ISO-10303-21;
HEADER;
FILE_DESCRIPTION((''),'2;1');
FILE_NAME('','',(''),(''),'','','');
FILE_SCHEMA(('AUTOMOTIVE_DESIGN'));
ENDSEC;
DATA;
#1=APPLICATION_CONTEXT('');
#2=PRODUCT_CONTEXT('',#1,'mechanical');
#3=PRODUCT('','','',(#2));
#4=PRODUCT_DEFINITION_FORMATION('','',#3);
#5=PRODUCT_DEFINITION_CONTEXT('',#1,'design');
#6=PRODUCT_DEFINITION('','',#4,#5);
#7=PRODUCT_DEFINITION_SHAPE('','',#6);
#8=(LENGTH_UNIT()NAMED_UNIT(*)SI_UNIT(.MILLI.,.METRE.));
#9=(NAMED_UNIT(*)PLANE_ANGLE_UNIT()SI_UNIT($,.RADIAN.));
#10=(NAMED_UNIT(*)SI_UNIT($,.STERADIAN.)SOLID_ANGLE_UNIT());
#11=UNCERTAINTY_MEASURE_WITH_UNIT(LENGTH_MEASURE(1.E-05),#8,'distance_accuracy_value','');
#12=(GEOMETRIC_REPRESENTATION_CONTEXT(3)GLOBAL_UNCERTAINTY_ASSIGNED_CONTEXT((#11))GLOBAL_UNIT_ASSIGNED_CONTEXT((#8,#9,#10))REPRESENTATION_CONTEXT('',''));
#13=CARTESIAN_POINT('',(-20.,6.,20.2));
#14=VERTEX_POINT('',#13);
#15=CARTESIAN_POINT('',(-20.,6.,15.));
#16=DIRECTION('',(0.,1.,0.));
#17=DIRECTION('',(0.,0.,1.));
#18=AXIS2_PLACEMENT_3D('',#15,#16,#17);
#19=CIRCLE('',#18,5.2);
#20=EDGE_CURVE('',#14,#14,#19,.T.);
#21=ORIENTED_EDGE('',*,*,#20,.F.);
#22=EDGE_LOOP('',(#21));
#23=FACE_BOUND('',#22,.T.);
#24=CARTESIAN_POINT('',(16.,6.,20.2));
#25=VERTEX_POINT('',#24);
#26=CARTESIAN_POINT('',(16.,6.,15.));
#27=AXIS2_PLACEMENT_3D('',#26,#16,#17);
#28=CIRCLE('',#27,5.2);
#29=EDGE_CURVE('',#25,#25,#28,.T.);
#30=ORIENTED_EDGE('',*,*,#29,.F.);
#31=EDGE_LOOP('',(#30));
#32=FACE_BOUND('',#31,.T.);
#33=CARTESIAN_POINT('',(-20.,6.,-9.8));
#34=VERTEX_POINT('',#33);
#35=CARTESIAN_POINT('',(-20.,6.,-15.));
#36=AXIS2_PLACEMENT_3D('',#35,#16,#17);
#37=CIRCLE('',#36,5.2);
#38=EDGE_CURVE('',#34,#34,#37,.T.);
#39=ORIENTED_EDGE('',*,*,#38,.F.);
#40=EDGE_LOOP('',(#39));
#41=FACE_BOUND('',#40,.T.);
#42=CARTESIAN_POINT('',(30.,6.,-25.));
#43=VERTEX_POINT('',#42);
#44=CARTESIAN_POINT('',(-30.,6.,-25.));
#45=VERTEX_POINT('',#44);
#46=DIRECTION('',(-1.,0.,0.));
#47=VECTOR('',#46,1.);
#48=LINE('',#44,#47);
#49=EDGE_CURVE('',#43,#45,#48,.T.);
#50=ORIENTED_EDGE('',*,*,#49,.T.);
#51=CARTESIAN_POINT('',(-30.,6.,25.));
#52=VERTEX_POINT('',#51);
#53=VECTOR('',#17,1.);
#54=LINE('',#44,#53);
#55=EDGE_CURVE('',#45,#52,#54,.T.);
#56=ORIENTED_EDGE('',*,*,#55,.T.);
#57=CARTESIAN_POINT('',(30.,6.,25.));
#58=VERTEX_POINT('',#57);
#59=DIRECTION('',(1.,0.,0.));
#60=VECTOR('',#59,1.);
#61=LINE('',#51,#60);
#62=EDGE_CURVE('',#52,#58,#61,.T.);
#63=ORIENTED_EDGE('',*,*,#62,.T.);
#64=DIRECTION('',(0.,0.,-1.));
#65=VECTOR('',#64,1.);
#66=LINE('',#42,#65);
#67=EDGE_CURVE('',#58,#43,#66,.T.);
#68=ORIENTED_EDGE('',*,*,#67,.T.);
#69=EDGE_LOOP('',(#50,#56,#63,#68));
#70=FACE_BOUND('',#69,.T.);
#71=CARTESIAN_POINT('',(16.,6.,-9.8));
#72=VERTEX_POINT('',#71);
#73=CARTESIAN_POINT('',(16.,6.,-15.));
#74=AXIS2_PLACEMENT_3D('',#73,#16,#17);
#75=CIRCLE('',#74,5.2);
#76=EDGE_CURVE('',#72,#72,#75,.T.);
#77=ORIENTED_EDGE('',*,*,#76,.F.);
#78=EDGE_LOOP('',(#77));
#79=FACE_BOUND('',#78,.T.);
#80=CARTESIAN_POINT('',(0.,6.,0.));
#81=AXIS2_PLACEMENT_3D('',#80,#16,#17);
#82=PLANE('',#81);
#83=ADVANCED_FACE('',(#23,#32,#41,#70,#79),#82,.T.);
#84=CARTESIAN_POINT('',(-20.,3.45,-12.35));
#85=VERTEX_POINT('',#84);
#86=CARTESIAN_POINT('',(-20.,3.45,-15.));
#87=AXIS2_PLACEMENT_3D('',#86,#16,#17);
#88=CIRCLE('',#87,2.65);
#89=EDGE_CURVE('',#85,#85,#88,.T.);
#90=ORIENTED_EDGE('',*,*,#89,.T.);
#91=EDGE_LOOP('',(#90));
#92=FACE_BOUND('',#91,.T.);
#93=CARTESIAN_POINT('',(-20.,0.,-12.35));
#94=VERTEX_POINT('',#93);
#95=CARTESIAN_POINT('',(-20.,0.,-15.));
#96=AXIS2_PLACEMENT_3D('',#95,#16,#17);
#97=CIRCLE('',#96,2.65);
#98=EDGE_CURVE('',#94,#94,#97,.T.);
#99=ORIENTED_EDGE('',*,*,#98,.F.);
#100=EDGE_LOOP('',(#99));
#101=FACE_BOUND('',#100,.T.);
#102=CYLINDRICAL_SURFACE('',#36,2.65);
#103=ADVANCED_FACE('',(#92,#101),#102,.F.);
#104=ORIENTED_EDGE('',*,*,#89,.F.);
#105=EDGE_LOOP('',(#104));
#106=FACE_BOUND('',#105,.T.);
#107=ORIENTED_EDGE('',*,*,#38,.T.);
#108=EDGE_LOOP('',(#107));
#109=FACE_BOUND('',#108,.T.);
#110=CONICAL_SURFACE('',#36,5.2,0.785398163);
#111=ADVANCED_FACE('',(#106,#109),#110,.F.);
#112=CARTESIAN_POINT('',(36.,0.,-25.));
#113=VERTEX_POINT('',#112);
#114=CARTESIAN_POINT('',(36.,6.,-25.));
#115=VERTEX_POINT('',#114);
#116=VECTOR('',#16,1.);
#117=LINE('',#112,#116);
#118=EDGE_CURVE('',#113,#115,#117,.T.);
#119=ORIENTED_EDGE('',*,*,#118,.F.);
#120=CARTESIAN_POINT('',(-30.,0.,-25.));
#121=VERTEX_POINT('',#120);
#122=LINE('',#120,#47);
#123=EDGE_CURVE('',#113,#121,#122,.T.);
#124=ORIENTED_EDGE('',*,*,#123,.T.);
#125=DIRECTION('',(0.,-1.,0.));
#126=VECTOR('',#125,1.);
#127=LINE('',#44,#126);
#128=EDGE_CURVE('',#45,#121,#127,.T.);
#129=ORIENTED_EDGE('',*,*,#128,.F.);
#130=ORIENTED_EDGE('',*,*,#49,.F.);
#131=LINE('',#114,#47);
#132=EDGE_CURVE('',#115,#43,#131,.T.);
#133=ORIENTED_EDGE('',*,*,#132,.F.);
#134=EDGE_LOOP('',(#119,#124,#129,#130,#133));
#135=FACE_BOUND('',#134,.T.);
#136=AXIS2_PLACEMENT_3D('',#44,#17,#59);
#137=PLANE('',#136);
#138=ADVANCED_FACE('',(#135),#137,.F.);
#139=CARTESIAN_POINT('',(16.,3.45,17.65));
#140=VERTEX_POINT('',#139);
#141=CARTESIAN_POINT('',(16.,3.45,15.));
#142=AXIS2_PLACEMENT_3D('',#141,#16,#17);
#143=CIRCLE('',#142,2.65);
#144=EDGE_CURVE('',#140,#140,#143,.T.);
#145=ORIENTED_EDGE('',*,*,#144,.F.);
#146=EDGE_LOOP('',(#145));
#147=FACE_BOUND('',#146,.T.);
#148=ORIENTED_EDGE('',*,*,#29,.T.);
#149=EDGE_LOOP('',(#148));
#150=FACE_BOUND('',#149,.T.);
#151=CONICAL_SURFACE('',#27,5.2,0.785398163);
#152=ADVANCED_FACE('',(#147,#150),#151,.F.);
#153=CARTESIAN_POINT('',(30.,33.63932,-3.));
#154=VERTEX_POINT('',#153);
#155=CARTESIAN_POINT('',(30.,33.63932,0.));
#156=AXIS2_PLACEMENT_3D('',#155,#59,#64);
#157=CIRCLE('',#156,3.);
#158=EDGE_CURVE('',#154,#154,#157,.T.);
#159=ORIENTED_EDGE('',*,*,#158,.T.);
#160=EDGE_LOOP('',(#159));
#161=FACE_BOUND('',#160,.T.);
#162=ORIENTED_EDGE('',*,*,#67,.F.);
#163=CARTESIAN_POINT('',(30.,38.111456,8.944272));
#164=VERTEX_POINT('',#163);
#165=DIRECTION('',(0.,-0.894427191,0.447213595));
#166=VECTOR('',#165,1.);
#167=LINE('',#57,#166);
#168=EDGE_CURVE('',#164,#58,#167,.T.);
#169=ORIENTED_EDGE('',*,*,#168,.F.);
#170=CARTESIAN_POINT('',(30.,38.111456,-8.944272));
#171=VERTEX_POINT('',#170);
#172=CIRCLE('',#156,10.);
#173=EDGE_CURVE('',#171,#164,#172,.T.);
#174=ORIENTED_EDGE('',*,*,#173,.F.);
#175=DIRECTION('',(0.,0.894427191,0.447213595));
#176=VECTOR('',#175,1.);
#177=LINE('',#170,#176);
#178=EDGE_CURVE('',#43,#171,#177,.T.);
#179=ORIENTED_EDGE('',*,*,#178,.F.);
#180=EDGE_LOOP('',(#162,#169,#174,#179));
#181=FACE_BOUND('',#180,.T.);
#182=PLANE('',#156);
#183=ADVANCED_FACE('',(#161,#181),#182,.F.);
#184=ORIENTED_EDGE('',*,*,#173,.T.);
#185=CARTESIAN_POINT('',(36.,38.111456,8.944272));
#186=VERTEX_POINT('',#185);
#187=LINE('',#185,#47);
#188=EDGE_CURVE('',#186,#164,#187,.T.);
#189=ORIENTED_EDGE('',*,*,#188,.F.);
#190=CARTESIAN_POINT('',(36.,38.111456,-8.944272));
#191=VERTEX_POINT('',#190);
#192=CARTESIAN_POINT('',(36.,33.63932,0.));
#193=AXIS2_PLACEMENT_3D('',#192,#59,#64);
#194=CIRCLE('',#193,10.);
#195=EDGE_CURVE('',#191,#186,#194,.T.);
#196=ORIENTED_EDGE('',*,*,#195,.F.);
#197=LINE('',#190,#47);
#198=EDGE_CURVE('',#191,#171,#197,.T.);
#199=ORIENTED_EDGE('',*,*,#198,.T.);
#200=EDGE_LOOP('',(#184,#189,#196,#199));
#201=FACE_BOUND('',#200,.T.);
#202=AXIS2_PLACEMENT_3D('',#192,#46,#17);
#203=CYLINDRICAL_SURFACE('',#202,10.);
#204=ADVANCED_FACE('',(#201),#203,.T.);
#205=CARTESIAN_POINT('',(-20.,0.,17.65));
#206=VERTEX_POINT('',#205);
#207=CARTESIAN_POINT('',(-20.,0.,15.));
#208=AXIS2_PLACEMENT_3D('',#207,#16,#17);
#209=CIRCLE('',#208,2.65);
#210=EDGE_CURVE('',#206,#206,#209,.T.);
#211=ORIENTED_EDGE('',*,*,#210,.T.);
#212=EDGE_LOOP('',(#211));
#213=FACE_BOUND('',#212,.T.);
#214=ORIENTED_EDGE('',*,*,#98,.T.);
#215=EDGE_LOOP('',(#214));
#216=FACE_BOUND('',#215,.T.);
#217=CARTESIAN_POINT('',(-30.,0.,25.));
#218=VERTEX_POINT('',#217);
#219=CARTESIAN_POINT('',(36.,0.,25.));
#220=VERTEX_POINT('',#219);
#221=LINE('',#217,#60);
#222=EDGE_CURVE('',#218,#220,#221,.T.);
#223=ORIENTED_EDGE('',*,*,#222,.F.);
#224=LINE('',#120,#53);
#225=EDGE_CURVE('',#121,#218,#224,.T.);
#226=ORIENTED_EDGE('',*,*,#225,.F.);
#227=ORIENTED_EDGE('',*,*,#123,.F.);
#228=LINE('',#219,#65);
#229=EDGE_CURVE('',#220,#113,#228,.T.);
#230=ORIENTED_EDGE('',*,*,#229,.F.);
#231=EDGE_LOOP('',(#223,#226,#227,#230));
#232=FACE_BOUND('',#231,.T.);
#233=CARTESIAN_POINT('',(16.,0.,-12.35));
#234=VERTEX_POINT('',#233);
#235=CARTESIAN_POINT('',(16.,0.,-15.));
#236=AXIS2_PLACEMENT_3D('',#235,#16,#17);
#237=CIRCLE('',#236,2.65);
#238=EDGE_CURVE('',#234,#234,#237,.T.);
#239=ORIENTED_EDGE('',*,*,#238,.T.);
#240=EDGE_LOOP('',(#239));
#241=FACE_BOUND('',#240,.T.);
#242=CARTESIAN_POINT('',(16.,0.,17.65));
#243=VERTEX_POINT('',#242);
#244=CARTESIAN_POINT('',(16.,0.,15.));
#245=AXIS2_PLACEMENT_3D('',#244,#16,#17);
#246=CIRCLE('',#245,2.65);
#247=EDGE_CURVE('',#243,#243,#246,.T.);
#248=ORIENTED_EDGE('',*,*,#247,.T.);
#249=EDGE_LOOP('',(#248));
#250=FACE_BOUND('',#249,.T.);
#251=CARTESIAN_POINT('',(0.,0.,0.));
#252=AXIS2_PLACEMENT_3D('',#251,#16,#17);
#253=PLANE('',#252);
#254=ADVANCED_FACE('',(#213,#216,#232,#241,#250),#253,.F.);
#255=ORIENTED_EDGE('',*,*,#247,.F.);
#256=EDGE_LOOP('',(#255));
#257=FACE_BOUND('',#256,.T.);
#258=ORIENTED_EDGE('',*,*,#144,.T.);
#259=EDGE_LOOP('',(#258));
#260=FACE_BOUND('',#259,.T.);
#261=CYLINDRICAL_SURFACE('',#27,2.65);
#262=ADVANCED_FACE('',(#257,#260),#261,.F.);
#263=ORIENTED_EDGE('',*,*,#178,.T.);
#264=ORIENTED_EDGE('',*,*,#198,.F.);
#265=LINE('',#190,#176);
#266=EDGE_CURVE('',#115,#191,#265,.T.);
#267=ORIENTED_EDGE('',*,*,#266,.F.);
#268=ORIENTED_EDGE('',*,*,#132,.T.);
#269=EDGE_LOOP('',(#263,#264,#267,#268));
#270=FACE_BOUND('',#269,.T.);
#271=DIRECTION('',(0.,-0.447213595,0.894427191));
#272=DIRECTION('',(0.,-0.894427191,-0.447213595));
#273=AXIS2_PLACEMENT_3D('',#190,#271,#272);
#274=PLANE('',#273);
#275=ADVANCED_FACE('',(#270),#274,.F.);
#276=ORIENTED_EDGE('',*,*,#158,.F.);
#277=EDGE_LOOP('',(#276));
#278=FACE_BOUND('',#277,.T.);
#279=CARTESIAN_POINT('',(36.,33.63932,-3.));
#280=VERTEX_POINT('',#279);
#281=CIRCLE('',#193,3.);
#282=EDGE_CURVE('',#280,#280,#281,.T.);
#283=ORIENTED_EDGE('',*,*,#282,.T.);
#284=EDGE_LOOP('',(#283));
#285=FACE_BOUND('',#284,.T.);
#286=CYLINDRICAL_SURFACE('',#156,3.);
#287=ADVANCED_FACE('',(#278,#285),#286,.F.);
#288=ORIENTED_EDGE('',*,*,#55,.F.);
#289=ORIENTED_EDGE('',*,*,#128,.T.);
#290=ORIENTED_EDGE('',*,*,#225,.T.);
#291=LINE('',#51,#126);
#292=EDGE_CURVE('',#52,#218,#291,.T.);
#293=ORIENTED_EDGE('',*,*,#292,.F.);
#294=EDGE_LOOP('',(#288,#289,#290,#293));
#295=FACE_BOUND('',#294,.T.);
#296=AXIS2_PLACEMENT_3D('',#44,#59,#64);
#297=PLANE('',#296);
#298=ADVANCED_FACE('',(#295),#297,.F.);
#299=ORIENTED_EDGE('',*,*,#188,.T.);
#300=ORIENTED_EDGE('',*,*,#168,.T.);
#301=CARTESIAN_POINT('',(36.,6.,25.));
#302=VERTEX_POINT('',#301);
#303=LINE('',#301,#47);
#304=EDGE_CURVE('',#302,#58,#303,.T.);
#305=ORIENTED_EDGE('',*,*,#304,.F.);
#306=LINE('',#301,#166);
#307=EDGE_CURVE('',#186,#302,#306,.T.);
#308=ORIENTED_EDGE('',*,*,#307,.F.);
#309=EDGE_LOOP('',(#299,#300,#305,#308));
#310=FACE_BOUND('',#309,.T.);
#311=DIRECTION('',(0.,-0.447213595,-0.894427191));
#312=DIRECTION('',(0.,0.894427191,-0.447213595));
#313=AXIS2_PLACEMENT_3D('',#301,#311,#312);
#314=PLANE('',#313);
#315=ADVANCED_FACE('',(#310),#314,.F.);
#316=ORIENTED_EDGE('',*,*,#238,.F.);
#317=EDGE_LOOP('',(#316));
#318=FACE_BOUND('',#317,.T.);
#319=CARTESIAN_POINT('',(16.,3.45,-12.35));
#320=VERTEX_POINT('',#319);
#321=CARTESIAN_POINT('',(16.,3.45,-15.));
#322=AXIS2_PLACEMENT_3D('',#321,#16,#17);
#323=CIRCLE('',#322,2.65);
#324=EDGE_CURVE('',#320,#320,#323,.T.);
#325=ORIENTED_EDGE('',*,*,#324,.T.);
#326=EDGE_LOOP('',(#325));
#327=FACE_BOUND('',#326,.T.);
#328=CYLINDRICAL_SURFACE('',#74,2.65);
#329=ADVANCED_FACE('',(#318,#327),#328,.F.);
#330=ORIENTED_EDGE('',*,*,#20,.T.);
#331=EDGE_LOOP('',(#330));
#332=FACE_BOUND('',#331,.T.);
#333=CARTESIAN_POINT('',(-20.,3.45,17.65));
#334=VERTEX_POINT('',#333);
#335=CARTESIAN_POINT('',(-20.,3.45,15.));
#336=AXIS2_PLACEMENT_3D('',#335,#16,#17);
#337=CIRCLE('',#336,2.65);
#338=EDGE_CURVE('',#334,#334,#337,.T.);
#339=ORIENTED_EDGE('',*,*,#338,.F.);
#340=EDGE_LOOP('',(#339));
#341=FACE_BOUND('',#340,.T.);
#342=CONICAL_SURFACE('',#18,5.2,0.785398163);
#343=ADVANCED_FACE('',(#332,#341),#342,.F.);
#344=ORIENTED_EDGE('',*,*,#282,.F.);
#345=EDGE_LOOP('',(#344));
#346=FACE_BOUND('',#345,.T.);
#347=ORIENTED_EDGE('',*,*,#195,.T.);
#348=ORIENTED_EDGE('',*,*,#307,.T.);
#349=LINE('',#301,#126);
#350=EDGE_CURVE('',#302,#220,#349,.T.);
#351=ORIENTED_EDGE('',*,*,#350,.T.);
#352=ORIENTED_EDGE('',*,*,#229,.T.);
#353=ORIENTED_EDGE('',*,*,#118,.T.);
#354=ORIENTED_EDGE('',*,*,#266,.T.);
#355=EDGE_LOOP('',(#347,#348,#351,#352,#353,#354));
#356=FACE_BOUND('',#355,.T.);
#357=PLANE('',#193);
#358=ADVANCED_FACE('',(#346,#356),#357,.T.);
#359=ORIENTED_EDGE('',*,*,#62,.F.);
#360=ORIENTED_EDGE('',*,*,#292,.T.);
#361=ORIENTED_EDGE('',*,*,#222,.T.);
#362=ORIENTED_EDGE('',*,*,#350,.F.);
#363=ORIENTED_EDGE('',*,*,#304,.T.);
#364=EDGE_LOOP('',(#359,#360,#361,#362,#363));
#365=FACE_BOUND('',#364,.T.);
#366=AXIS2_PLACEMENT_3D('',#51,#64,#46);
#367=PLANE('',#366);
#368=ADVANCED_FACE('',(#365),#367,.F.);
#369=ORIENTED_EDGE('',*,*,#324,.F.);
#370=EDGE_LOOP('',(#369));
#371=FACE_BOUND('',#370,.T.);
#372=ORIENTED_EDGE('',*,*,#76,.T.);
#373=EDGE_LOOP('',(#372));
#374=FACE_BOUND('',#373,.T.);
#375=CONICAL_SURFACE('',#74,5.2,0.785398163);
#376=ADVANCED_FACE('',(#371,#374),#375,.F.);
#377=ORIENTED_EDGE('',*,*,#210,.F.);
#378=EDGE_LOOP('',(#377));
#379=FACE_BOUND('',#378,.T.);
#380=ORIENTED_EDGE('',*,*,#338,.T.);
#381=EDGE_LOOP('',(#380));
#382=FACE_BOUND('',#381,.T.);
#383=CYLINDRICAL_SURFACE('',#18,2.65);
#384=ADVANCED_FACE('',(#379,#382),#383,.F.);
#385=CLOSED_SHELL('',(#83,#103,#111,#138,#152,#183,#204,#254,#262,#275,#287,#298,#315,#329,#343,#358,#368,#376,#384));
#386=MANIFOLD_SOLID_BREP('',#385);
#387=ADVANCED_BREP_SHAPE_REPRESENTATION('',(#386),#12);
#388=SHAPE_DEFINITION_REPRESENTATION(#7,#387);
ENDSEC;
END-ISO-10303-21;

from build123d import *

# Parameters (mm, degrees)
SKETCH1_W                                            = 60
SKETCH1_H                                            = 50
BOSS_EXTRUDE1_DEPTH                                  = 6
CSK_FOR_M5_COUNTERSUNK_RAISED_HEAD_SCREW_D           = 5.3
CSK_FOR_M5_COUNTERSUNK_RAISED_HEAD_SCREW_CSINK_D     = 10.4
CSK_FOR_M5_COUNTERSUNK_RAISED_HEAD_SCREW_CSINK_ANGLE = 90
BOSS_EXTRUDE2_DEPTH                                  = 6
SKETCH6_R                                            = 3
CUT_EXTRUDE1_DEPTH                                   = 6


with BuildPart() as part:
    # Sketch1 → Boss-Extrude1 (new body)
    with BuildSketch(Plane(origin=(0, 0, 0), x_dir=(1, 0, 0), z_dir=(0, 1, 0))):
        Rectangle(SKETCH1_W, SKETCH1_H)
    extrude(amount=BOSS_EXTRUDE1_DEPTH)

    # CSK for M5 Countersunk Raised Head Screw1 (through all)
    with Locations(Plane(origin=(0, 6, 0), x_dir=(1, 0, 0), z_dir=(0, 1, 0))):
        with Locations((-20, -15), (16, -15), (16, 15), (-20, 15)):
            CounterSinkHole(CSK_FOR_M5_COUNTERSUNK_RAISED_HEAD_SCREW_D / 2, CSK_FOR_M5_COUNTERSUNK_RAISED_HEAD_SCREW_CSINK_D / 2, counter_sink_angle=CSK_FOR_M5_COUNTERSUNK_RAISED_HEAD_SCREW_CSINK_ANGLE)

    # Sketch5 → Boss-Extrude2 (add)
    with BuildSketch(Plane(origin=(30, 0, 0), x_dir=(0, 0, -1), z_dir=(1, 0, 0))):
        with BuildLine():
            Line((-25, 6), (-8.94427191, 38.11145618))
            ThreePointArc((-8.94427191, 38.11145618), (0, 43.639320225), (8.94427191, 38.11145618))
            Line((8.94427191, 38.11145618), (25, 6))
            Line((25, 6), (25, 0))
            Line((25, 0), (-25, 0))
            Line((-25, 0), (-25, 6))
        make_face()
    extrude(amount=BOSS_EXTRUDE2_DEPTH)

    # Sketch6 → Cut-Extrude1 (cut)
    with BuildSketch(Plane(origin=(36, 0, 0), x_dir=(0, 0, -1), z_dir=(1, 0, 0))):
        with Locations((0, 33.639320225)):
            Circle(SKETCH6_R)
    extrude(amount=-CUT_EXTRUDE1_DEPTH, mode=Mode.SUBTRACT)


solid = part.part
